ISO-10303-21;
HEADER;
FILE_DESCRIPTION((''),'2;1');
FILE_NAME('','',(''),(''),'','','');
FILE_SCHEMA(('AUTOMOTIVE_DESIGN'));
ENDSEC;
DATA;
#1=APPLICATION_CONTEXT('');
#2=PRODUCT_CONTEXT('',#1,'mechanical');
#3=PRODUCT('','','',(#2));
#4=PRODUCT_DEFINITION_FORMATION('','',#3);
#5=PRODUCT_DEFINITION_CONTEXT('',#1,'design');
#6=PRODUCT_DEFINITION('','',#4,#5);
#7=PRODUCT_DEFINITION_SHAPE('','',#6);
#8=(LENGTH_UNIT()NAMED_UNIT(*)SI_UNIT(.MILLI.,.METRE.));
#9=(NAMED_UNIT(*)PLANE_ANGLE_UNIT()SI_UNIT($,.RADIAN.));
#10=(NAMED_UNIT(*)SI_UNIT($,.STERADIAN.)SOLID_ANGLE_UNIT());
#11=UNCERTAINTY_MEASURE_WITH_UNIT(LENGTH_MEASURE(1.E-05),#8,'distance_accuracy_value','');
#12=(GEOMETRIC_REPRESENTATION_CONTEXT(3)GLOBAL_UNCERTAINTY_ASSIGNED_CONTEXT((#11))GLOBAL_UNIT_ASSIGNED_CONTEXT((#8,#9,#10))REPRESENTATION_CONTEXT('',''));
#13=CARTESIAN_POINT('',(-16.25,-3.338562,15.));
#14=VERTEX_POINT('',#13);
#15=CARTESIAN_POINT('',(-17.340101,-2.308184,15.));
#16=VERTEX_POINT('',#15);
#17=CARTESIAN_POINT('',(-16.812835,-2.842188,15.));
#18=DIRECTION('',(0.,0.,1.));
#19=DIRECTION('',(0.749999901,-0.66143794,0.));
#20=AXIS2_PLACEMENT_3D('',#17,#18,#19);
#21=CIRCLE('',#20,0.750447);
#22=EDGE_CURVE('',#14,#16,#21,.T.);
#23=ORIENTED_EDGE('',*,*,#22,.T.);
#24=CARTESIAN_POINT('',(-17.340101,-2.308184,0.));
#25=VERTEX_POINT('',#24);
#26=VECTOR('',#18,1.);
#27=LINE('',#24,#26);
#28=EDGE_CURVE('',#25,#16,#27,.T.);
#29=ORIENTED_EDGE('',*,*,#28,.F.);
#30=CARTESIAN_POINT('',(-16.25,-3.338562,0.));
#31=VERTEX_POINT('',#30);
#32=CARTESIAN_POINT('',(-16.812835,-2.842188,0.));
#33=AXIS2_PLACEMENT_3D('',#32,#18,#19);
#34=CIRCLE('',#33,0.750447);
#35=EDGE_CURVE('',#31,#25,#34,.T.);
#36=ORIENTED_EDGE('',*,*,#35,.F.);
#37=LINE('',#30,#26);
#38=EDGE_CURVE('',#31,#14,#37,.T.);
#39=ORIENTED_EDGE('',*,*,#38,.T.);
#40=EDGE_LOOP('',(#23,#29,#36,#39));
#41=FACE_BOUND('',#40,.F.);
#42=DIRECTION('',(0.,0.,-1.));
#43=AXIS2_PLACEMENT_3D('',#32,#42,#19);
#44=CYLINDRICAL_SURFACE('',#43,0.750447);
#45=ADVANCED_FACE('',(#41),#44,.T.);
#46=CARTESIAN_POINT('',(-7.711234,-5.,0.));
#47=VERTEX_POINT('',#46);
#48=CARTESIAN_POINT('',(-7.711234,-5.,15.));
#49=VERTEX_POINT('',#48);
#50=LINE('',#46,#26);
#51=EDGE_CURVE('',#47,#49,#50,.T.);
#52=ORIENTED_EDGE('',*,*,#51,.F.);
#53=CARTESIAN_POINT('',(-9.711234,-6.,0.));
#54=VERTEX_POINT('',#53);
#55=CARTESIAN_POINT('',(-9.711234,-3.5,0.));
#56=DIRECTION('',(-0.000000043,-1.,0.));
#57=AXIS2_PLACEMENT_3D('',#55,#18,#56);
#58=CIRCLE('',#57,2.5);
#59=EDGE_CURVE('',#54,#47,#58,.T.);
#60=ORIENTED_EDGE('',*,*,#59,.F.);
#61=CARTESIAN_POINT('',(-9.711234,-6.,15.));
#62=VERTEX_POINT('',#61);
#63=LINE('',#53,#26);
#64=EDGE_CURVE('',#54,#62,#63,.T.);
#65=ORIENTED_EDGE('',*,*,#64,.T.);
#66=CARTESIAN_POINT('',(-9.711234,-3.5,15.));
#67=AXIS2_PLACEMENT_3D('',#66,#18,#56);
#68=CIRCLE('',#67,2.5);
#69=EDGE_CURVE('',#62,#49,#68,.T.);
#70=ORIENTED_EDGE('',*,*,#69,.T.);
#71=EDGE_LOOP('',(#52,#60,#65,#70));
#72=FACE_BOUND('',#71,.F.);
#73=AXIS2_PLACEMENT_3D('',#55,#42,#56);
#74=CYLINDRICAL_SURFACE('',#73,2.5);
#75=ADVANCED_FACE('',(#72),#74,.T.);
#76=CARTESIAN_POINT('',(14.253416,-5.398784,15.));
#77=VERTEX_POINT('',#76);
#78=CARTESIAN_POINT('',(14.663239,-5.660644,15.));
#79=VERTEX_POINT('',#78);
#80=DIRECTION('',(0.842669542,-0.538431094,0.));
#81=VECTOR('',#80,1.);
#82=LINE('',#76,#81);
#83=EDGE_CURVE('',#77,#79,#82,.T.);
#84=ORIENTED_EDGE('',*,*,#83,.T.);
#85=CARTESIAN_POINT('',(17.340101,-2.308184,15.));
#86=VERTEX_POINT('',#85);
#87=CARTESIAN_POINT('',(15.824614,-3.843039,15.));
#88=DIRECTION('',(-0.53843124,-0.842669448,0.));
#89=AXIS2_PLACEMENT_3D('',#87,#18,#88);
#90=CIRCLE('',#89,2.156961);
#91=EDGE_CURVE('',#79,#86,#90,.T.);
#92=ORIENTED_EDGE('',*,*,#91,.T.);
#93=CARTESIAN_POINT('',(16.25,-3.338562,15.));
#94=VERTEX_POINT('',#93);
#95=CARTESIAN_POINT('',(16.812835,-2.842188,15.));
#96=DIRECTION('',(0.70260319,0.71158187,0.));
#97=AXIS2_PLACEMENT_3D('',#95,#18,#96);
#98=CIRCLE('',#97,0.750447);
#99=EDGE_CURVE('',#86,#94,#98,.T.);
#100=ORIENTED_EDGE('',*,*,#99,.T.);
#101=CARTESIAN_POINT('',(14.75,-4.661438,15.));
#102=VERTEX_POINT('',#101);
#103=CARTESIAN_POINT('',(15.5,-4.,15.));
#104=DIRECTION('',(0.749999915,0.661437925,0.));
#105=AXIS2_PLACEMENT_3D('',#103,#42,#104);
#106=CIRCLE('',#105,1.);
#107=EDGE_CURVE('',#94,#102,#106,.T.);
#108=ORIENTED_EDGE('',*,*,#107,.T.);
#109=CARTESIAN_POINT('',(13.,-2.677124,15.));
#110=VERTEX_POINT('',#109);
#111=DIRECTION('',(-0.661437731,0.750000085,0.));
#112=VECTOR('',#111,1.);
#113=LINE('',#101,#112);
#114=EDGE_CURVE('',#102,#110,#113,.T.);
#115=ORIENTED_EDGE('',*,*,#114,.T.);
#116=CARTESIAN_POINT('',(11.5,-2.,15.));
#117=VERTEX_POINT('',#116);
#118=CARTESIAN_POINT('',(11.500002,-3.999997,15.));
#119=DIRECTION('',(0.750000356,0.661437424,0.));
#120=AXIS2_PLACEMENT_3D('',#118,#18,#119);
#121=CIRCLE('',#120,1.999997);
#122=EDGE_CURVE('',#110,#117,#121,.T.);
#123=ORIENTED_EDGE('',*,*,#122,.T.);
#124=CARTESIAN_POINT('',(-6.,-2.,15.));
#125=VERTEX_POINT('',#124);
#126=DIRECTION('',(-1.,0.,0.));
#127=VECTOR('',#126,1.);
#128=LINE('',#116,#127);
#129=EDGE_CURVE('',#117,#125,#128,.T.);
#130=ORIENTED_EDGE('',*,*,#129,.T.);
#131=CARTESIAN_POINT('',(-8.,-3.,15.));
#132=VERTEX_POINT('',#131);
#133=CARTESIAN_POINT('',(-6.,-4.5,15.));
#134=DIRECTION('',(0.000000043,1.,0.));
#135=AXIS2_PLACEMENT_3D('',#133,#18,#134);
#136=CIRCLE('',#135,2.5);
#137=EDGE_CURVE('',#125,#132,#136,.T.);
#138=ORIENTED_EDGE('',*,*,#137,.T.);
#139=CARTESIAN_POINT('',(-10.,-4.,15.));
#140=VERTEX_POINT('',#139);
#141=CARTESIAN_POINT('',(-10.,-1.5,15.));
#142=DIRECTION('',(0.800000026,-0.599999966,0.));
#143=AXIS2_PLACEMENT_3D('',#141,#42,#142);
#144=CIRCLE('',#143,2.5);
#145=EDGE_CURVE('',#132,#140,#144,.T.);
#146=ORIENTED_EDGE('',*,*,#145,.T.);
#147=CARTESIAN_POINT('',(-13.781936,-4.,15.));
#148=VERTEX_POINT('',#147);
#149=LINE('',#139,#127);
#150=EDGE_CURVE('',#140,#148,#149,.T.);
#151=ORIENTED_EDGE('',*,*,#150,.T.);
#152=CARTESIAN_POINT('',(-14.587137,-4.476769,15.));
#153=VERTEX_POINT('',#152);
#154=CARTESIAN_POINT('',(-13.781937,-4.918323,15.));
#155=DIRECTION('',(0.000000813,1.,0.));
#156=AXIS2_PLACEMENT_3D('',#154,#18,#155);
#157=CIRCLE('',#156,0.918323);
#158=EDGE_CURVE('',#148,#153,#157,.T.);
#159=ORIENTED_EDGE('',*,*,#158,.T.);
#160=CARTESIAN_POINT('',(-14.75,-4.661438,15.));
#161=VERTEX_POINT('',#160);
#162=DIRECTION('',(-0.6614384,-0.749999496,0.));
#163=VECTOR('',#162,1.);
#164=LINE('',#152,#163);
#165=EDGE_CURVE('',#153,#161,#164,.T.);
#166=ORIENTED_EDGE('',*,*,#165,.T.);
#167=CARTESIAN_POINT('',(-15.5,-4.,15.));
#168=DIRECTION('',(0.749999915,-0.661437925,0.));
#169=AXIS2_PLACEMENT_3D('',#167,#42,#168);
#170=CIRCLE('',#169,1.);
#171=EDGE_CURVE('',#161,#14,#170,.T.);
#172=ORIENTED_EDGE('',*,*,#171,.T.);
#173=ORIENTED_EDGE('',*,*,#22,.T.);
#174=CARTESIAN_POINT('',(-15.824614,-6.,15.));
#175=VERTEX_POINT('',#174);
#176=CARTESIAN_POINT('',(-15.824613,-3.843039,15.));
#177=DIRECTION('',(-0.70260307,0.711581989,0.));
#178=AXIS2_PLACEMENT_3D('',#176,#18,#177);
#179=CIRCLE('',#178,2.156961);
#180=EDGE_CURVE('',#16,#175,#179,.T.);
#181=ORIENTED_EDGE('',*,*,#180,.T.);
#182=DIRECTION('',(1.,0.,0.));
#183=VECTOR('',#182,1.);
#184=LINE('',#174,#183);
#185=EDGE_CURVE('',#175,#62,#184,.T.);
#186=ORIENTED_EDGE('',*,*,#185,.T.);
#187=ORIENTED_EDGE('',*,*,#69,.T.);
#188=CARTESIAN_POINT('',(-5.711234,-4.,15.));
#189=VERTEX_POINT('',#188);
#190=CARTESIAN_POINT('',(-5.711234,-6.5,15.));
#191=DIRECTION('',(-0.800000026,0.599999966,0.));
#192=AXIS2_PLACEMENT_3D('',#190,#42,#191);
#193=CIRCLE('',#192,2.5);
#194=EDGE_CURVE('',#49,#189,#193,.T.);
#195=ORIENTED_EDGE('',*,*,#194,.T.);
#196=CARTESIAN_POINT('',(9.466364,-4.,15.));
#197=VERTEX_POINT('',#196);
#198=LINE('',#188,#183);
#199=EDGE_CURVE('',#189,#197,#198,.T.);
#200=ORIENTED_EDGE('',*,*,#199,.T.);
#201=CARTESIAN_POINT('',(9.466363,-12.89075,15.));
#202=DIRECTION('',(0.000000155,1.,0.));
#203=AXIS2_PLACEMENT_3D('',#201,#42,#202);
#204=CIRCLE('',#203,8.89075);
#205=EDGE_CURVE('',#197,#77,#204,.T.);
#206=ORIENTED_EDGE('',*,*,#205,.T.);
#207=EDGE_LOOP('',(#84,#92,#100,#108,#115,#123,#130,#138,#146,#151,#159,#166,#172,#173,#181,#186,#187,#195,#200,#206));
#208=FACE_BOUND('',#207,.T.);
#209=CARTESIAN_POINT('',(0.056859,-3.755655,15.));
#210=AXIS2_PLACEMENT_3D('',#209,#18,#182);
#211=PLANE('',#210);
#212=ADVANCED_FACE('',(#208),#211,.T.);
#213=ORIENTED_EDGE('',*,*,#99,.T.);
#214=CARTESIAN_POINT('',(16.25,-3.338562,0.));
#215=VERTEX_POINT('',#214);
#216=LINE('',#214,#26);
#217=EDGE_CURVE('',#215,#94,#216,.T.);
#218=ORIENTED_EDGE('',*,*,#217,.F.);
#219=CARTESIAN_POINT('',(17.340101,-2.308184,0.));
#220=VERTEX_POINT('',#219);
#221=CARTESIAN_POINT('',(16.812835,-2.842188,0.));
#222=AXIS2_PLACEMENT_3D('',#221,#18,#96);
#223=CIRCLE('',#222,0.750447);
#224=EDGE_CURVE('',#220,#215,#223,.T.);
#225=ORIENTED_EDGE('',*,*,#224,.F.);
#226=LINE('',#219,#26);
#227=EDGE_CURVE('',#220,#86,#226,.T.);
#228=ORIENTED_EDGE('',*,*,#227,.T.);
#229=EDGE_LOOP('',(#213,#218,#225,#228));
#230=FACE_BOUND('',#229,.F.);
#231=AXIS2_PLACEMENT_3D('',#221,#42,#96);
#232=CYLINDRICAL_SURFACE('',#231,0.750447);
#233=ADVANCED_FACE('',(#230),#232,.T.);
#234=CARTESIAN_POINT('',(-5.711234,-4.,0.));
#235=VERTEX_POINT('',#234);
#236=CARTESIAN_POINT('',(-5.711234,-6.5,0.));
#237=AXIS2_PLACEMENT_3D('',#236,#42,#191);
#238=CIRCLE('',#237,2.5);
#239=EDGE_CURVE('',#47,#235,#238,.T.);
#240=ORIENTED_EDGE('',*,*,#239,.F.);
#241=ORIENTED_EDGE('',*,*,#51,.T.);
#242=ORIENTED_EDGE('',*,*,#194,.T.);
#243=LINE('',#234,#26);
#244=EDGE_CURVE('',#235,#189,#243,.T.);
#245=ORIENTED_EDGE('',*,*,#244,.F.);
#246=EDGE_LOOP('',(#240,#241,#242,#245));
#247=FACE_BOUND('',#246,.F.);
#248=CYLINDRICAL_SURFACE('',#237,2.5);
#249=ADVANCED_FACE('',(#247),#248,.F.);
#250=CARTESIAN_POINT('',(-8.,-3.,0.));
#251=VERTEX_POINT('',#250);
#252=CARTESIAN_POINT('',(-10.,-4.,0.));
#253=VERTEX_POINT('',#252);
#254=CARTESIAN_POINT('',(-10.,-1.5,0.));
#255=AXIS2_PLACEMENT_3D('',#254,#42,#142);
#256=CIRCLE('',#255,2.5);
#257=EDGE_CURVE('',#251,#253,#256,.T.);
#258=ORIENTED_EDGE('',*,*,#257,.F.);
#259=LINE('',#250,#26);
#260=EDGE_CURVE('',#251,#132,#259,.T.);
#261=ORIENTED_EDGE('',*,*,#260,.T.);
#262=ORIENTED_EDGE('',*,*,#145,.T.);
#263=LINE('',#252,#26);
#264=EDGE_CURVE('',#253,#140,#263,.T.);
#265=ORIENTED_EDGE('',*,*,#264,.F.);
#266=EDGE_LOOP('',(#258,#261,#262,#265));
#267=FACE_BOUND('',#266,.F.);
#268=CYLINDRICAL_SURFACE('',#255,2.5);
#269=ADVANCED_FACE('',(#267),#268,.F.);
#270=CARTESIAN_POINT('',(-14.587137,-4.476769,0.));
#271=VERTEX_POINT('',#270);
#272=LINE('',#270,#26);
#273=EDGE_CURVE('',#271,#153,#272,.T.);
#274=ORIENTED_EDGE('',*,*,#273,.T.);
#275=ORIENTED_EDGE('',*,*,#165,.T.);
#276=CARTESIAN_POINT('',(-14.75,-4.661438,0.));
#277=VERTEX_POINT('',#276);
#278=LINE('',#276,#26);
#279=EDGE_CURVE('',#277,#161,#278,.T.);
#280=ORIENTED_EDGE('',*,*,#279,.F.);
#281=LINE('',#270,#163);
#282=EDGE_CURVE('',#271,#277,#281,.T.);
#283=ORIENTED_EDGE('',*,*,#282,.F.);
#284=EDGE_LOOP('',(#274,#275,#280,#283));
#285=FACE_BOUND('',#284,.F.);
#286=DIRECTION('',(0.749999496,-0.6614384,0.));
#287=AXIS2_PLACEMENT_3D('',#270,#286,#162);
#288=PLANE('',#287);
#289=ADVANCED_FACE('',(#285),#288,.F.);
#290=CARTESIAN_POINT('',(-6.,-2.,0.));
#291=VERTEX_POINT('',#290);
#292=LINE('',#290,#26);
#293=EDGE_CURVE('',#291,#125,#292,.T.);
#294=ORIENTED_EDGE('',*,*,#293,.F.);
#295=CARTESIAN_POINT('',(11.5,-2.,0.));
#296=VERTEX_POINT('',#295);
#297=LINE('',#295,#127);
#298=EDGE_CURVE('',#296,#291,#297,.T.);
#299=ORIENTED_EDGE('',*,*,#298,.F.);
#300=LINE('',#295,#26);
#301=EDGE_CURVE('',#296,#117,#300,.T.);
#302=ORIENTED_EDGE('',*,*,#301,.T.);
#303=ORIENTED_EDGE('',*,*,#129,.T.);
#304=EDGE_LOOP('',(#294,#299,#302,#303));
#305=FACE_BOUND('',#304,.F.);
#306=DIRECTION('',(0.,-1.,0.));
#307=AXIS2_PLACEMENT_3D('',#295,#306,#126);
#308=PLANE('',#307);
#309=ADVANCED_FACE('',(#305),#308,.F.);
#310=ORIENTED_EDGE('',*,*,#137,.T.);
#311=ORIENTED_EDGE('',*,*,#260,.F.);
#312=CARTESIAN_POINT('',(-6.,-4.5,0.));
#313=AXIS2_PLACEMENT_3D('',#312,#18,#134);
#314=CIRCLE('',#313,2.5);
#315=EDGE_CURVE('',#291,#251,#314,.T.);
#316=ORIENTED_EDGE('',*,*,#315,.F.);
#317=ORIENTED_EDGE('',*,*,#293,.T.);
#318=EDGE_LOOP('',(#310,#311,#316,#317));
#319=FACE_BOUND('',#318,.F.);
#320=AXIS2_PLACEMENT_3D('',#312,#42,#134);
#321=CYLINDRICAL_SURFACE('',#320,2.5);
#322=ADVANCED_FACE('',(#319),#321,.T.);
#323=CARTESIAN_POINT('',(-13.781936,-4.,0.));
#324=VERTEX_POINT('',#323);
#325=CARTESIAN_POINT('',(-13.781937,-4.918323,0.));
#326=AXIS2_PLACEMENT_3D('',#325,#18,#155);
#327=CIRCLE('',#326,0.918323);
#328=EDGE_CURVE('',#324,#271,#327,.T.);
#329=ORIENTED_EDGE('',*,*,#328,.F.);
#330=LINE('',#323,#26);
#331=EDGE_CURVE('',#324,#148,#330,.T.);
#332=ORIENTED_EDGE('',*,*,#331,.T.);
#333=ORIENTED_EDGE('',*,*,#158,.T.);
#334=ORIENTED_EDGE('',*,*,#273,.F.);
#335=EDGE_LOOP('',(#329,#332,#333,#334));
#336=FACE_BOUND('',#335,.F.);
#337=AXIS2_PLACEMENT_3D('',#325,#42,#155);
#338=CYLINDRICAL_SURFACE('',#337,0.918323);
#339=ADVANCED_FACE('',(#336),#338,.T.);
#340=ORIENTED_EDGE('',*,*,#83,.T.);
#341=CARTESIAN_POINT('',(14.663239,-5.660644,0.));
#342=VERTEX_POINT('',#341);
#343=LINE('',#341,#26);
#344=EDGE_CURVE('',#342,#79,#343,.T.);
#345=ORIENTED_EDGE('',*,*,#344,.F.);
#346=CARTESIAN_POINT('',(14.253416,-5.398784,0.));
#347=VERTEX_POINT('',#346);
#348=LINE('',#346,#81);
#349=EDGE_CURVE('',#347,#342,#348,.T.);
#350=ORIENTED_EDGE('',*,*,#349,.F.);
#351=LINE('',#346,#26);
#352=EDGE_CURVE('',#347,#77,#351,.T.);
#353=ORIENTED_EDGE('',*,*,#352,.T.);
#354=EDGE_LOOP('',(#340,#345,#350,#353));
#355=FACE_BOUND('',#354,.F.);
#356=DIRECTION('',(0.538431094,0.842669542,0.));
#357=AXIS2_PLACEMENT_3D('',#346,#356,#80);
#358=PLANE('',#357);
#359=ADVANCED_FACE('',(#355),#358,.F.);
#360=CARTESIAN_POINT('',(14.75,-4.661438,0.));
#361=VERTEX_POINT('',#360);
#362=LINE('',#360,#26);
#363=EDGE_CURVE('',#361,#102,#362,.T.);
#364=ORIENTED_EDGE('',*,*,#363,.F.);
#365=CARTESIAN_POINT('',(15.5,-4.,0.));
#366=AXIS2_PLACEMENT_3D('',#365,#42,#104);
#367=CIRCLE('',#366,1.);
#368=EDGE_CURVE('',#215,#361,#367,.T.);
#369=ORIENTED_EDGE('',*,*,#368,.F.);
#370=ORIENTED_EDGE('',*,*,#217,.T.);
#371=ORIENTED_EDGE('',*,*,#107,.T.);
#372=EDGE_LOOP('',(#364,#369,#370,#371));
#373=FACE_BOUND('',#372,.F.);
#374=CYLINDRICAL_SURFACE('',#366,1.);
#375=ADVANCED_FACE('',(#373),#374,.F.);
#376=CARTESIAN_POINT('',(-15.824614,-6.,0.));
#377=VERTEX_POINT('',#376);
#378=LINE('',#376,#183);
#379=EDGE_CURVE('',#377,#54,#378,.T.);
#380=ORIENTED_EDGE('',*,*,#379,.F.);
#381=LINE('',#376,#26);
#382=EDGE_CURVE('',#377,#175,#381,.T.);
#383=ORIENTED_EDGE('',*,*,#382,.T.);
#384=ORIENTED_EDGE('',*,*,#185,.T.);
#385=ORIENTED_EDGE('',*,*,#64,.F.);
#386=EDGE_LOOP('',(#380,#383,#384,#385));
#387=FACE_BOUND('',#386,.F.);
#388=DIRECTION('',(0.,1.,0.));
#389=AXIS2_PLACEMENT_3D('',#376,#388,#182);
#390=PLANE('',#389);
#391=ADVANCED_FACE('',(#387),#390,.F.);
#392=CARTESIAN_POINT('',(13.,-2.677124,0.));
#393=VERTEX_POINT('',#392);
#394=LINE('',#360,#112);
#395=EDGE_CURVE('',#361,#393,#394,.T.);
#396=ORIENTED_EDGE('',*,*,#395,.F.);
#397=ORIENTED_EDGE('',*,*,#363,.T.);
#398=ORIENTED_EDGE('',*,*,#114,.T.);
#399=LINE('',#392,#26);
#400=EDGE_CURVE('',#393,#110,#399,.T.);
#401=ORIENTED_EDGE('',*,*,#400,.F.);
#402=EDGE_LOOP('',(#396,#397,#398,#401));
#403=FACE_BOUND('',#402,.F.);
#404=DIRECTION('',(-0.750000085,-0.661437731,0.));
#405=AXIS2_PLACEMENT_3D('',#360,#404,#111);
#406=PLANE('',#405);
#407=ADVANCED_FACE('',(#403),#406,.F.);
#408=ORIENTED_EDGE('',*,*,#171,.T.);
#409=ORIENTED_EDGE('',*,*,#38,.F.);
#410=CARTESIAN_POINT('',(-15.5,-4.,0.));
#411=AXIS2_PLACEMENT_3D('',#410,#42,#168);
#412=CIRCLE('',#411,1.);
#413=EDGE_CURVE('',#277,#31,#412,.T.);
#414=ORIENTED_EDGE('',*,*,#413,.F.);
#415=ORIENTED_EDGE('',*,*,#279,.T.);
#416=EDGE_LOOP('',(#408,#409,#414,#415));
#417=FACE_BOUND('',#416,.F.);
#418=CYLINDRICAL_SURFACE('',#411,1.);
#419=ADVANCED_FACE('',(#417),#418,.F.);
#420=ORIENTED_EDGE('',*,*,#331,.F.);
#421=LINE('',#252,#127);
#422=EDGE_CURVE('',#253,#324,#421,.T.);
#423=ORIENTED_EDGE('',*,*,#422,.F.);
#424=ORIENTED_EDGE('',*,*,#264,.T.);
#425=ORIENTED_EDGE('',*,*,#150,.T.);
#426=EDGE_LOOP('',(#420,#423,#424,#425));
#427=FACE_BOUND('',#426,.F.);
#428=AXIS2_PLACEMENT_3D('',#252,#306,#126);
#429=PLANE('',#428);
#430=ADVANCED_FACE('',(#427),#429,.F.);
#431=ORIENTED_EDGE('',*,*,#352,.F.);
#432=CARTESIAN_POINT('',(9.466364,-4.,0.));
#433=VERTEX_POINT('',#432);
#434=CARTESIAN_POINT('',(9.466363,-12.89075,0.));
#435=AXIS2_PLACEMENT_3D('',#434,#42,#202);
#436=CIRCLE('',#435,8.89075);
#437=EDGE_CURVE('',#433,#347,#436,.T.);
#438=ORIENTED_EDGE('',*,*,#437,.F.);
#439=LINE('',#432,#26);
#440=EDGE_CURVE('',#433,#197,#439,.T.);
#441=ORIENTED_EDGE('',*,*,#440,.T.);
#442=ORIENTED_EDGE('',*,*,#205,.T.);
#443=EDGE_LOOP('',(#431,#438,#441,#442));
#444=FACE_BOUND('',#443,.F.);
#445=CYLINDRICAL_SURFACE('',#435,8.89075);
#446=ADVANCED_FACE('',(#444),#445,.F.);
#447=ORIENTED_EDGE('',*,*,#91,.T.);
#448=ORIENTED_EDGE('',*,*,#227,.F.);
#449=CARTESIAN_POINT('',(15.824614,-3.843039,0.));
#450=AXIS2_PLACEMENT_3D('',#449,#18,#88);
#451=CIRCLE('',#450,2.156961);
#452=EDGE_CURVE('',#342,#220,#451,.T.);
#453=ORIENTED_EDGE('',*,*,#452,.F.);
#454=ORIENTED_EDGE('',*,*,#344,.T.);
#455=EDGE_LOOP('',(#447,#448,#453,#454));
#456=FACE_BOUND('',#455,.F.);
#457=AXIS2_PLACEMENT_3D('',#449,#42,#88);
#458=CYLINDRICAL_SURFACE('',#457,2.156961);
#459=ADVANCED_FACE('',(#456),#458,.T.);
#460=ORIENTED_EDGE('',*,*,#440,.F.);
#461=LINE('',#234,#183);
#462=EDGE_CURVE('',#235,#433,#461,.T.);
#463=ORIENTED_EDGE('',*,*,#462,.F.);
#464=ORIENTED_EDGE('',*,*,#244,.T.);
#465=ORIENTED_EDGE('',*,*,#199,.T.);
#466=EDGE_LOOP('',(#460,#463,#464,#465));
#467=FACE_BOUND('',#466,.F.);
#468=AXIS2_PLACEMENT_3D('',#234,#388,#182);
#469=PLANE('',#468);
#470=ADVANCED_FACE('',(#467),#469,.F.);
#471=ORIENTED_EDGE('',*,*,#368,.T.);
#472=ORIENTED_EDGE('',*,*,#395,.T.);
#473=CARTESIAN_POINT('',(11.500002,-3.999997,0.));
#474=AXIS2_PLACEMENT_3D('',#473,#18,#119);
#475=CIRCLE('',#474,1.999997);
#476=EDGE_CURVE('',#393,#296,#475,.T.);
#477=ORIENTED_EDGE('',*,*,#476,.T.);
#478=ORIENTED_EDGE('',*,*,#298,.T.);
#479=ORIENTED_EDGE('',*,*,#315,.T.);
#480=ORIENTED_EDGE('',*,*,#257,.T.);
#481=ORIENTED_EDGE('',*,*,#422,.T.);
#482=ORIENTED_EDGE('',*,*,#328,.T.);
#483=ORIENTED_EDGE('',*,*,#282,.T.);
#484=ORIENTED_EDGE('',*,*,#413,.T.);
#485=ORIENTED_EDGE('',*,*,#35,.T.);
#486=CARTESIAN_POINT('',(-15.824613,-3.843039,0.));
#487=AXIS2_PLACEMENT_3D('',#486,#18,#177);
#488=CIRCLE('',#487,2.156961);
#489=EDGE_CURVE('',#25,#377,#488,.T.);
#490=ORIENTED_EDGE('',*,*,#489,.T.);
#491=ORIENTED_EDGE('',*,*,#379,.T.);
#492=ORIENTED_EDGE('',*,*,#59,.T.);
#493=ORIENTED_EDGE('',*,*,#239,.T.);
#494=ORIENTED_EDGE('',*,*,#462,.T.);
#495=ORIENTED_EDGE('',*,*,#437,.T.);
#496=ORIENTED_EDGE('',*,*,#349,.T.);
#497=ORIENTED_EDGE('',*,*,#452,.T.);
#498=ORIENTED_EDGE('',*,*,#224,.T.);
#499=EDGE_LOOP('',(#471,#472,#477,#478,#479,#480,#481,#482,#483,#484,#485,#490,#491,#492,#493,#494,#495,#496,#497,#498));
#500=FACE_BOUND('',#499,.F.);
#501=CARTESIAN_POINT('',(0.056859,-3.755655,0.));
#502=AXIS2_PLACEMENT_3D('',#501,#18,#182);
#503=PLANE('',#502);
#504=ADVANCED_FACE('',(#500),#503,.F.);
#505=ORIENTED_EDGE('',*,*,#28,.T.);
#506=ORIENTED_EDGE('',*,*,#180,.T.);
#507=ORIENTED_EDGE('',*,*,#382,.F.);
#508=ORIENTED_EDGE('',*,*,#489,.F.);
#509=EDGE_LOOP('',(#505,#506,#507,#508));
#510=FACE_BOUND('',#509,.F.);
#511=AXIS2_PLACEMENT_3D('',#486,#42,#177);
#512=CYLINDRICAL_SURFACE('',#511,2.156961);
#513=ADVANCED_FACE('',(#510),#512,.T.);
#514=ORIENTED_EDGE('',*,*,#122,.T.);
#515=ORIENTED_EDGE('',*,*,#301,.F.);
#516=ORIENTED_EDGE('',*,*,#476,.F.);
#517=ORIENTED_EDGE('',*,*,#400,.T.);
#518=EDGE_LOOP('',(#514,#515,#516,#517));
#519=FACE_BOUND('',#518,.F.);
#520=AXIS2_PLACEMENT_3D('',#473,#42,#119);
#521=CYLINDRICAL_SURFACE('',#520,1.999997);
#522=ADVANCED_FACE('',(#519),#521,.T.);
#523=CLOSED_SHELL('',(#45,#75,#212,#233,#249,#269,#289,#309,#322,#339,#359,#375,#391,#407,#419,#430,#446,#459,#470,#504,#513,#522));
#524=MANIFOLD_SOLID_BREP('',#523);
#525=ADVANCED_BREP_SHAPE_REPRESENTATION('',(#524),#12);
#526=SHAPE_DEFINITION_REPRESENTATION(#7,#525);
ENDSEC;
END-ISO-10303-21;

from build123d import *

# Parameters (mm, degrees)
F1_DEPTH = 15


with BuildPart() as f1:
    # F0 (on Top) → F1 (new body)
    with BuildSketch(Plane.XY):
        with BuildLine():
            Line((11.5, -2), (-6, -2))
            ThreePointArc((-6, -2), (-7.118034, -2.263932), (-8, -3))
            ThreePointArc((-8, -3), (-8.881966, -3.736068), (-10, -4))
            Line((-10, -4), (-13.781936, -4))
            ThreePointArc((-13.781936, -4), (-14.249819, -4.128131), (-14.587137, -4.476769))
            Line((-14.587137, -4.476769), (-14.75, -4.661438))
            ThreePointArc((-14.75, -4.661438), (-16.161438, -4.75), (-16.25, -3.338562))
            ThreePointArc((-16.25, -3.338562), (-16.297339, -2.296813), (-17.340101, -2.308184))
            ThreePointArc((-17.340101, -2.308184), (-17.819996, -4.662142), (-15.824614, -6))
            Line((-15.824614, -6), (-9.711234, -6))
            ThreePointArc((-9.711234, -6), (-8.5932, -5.736068), (-7.711234, -5))
            ThreePointArc((-7.711234, -5), (-6.829268, -4.263932), (-5.711234, -4))
            Line((-5.711234, -4), (9.466364, -4))
            ThreePointArc((9.466364, -4), (11.959979, -4.356858), (14.253416, -5.398784))
            Line((14.253416, -5.398784), (14.663239, -5.660644))
            ThreePointArc((14.663239, -5.660644), (17.510169, -5.188916), (17.340101, -2.308184))
            ThreePointArc((17.340101, -2.308184), (16.297339, -2.296813), (16.25, -3.338562))
            ThreePointArc((16.25, -3.338562), (16.161438, -4.75), (14.75, -4.661438))
            Line((14.75, -4.661438), (13, -2.677124))
            ThreePointArc((13, -2.677124), (12.322876, -2.177124), (11.5, -2))
        make_face()
    extrude(amount=F1_DEPTH)


solid = f1.part
